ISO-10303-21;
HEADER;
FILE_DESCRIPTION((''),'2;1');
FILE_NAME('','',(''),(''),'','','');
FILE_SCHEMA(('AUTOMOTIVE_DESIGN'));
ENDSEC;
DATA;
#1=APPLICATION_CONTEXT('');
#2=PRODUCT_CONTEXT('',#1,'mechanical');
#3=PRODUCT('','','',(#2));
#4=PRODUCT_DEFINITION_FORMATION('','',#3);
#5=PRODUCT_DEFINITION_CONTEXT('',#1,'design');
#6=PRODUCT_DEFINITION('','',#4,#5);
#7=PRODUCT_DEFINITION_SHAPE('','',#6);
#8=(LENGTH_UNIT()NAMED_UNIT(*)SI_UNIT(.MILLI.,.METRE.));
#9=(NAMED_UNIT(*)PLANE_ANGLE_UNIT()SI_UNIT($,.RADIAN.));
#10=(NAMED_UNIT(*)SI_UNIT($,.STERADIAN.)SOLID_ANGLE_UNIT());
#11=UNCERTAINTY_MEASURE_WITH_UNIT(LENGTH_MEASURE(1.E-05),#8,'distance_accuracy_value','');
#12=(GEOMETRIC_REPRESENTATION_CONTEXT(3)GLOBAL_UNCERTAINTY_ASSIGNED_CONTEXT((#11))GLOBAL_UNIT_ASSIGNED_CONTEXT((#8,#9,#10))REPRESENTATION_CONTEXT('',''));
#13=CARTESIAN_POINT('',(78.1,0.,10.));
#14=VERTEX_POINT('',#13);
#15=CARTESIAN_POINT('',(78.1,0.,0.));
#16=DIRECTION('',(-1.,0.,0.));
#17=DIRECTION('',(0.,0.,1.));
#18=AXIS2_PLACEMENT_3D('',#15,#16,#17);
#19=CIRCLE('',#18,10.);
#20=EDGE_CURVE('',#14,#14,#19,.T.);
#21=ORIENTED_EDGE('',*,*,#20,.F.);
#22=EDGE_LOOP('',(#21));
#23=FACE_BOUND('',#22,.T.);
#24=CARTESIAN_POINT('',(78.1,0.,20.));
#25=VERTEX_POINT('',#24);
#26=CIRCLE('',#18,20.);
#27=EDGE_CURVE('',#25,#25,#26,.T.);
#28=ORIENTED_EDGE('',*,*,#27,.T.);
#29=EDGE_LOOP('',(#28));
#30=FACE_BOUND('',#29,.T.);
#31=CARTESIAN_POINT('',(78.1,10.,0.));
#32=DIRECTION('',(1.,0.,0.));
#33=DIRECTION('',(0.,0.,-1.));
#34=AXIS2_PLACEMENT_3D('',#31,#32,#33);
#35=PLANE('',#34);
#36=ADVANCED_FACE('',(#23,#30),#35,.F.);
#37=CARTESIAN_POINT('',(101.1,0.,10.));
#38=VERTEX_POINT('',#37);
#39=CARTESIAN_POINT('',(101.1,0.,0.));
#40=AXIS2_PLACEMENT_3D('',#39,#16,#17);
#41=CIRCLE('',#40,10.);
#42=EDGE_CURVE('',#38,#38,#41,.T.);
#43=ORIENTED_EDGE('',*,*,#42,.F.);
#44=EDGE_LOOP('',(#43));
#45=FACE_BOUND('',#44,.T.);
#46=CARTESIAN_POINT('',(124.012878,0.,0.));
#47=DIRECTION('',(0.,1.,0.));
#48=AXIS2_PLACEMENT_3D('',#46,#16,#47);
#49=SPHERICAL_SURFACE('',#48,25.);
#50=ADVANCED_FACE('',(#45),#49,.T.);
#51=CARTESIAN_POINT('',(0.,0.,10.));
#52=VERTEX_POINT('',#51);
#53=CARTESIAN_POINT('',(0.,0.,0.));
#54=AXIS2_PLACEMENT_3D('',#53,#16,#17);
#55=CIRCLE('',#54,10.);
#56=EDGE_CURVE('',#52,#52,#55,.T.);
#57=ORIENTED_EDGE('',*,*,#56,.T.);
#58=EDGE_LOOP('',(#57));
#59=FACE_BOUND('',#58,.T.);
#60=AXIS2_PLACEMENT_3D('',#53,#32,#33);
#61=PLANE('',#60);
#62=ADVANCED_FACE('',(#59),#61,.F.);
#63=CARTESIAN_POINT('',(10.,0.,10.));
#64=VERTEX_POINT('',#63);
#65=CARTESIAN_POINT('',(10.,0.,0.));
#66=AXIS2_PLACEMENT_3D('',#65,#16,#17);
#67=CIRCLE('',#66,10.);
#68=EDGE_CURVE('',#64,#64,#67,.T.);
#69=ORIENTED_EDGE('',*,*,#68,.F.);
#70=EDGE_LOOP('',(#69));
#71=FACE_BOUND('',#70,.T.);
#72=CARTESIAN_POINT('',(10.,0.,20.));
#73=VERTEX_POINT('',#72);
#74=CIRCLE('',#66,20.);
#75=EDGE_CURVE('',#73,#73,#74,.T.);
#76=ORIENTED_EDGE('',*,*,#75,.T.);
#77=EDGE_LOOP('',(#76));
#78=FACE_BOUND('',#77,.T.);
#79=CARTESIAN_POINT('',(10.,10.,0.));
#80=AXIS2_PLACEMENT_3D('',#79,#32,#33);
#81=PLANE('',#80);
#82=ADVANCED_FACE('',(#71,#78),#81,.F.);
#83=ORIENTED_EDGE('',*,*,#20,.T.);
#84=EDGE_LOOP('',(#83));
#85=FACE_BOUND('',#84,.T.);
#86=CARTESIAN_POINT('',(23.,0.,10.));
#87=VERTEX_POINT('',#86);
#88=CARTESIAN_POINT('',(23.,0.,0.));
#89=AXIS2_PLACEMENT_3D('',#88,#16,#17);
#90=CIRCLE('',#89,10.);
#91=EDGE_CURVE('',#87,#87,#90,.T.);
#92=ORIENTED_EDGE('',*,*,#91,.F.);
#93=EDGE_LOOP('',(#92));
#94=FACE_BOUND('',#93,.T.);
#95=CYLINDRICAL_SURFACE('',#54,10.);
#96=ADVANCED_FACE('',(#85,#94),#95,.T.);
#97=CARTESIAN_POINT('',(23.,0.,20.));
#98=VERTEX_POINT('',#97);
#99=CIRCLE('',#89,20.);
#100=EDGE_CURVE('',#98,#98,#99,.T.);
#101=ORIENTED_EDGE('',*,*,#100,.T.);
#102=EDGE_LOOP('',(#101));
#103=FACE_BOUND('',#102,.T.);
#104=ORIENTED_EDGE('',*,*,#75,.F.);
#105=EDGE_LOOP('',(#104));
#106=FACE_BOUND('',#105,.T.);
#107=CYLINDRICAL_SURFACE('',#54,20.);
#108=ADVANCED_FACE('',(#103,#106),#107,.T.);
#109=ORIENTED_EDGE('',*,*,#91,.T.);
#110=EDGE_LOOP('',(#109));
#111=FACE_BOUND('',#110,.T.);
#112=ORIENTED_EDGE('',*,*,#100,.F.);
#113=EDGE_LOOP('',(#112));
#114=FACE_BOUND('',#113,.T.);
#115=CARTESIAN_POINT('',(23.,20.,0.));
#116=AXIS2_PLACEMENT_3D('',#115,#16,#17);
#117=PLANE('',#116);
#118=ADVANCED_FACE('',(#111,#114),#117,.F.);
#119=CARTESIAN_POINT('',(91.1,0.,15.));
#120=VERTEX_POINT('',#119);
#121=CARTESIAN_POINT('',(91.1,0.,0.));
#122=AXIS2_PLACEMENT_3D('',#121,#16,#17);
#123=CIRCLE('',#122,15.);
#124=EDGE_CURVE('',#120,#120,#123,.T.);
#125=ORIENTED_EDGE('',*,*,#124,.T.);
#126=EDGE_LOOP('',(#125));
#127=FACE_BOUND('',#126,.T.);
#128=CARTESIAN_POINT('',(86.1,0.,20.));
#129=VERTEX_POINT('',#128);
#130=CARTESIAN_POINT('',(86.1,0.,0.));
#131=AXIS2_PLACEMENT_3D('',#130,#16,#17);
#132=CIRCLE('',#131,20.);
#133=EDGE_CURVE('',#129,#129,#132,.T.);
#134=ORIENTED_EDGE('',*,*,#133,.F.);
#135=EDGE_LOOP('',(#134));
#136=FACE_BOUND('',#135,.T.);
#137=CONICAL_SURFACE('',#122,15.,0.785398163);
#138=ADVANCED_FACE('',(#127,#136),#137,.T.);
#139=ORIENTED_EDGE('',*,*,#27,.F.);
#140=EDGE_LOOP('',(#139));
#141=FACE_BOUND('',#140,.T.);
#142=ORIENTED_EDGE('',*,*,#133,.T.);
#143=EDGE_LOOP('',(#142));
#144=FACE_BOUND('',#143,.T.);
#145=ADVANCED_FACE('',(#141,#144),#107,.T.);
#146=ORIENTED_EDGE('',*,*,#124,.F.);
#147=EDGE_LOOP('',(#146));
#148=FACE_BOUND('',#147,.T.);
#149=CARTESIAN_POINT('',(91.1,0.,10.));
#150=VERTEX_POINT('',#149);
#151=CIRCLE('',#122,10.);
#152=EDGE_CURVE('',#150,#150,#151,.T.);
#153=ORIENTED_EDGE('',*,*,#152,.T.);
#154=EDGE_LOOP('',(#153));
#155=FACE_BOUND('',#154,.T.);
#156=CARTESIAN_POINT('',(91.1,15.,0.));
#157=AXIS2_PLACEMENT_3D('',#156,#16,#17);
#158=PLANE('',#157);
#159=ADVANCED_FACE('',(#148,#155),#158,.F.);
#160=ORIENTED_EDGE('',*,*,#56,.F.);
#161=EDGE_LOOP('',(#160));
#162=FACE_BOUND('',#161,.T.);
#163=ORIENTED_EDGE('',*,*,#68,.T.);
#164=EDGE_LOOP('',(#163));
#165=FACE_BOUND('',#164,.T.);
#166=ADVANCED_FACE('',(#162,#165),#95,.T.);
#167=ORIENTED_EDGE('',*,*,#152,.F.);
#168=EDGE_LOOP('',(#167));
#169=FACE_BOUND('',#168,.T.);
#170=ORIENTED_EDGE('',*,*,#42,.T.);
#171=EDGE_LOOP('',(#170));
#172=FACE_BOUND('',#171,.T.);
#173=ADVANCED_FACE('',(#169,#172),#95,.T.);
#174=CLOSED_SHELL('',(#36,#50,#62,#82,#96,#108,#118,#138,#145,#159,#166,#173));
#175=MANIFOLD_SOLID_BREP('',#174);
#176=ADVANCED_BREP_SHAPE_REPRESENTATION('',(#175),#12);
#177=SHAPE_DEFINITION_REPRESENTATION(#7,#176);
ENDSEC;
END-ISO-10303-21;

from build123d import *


with BuildPart() as part:
    # Sketch1 → Revolve1 (revolve)
    with BuildSketch(Plane.XY, mode=Mode.PRIVATE) as revolve1_sk:
        with BuildLine():
            Line((0, 0), (0, 10))
            Line((0, 10), (10, 10))
            Line((10, 10), (10, 20))
            Line((10, 20), (23, 20))
            Line((23, 20), (23, 10))
            Line((23, 10), (78.1, 10))
            Line((78.1, 10), (78.1, 20))
            Line((78.1, 20), (86.1, 20))
            Line((86.1, 20), (91.1, 15))
            Line((91.1, 15), (91.1, 10))
            Line((91.1, 10), (101.1, 10))
            ThreePointArc((101.1, 10), (129.120619567, 24.472657823), (149.012878475, 0))
            Line((149.012878475, 0), (0, 0))
        make_face()
    revolve(revolve1_sk.sketch.rotate(Axis((0, 0, 0), (1, 0, 0)), 90), axis=Axis((0, 0, 0), (1, 0, 0)))


solid = part.part
